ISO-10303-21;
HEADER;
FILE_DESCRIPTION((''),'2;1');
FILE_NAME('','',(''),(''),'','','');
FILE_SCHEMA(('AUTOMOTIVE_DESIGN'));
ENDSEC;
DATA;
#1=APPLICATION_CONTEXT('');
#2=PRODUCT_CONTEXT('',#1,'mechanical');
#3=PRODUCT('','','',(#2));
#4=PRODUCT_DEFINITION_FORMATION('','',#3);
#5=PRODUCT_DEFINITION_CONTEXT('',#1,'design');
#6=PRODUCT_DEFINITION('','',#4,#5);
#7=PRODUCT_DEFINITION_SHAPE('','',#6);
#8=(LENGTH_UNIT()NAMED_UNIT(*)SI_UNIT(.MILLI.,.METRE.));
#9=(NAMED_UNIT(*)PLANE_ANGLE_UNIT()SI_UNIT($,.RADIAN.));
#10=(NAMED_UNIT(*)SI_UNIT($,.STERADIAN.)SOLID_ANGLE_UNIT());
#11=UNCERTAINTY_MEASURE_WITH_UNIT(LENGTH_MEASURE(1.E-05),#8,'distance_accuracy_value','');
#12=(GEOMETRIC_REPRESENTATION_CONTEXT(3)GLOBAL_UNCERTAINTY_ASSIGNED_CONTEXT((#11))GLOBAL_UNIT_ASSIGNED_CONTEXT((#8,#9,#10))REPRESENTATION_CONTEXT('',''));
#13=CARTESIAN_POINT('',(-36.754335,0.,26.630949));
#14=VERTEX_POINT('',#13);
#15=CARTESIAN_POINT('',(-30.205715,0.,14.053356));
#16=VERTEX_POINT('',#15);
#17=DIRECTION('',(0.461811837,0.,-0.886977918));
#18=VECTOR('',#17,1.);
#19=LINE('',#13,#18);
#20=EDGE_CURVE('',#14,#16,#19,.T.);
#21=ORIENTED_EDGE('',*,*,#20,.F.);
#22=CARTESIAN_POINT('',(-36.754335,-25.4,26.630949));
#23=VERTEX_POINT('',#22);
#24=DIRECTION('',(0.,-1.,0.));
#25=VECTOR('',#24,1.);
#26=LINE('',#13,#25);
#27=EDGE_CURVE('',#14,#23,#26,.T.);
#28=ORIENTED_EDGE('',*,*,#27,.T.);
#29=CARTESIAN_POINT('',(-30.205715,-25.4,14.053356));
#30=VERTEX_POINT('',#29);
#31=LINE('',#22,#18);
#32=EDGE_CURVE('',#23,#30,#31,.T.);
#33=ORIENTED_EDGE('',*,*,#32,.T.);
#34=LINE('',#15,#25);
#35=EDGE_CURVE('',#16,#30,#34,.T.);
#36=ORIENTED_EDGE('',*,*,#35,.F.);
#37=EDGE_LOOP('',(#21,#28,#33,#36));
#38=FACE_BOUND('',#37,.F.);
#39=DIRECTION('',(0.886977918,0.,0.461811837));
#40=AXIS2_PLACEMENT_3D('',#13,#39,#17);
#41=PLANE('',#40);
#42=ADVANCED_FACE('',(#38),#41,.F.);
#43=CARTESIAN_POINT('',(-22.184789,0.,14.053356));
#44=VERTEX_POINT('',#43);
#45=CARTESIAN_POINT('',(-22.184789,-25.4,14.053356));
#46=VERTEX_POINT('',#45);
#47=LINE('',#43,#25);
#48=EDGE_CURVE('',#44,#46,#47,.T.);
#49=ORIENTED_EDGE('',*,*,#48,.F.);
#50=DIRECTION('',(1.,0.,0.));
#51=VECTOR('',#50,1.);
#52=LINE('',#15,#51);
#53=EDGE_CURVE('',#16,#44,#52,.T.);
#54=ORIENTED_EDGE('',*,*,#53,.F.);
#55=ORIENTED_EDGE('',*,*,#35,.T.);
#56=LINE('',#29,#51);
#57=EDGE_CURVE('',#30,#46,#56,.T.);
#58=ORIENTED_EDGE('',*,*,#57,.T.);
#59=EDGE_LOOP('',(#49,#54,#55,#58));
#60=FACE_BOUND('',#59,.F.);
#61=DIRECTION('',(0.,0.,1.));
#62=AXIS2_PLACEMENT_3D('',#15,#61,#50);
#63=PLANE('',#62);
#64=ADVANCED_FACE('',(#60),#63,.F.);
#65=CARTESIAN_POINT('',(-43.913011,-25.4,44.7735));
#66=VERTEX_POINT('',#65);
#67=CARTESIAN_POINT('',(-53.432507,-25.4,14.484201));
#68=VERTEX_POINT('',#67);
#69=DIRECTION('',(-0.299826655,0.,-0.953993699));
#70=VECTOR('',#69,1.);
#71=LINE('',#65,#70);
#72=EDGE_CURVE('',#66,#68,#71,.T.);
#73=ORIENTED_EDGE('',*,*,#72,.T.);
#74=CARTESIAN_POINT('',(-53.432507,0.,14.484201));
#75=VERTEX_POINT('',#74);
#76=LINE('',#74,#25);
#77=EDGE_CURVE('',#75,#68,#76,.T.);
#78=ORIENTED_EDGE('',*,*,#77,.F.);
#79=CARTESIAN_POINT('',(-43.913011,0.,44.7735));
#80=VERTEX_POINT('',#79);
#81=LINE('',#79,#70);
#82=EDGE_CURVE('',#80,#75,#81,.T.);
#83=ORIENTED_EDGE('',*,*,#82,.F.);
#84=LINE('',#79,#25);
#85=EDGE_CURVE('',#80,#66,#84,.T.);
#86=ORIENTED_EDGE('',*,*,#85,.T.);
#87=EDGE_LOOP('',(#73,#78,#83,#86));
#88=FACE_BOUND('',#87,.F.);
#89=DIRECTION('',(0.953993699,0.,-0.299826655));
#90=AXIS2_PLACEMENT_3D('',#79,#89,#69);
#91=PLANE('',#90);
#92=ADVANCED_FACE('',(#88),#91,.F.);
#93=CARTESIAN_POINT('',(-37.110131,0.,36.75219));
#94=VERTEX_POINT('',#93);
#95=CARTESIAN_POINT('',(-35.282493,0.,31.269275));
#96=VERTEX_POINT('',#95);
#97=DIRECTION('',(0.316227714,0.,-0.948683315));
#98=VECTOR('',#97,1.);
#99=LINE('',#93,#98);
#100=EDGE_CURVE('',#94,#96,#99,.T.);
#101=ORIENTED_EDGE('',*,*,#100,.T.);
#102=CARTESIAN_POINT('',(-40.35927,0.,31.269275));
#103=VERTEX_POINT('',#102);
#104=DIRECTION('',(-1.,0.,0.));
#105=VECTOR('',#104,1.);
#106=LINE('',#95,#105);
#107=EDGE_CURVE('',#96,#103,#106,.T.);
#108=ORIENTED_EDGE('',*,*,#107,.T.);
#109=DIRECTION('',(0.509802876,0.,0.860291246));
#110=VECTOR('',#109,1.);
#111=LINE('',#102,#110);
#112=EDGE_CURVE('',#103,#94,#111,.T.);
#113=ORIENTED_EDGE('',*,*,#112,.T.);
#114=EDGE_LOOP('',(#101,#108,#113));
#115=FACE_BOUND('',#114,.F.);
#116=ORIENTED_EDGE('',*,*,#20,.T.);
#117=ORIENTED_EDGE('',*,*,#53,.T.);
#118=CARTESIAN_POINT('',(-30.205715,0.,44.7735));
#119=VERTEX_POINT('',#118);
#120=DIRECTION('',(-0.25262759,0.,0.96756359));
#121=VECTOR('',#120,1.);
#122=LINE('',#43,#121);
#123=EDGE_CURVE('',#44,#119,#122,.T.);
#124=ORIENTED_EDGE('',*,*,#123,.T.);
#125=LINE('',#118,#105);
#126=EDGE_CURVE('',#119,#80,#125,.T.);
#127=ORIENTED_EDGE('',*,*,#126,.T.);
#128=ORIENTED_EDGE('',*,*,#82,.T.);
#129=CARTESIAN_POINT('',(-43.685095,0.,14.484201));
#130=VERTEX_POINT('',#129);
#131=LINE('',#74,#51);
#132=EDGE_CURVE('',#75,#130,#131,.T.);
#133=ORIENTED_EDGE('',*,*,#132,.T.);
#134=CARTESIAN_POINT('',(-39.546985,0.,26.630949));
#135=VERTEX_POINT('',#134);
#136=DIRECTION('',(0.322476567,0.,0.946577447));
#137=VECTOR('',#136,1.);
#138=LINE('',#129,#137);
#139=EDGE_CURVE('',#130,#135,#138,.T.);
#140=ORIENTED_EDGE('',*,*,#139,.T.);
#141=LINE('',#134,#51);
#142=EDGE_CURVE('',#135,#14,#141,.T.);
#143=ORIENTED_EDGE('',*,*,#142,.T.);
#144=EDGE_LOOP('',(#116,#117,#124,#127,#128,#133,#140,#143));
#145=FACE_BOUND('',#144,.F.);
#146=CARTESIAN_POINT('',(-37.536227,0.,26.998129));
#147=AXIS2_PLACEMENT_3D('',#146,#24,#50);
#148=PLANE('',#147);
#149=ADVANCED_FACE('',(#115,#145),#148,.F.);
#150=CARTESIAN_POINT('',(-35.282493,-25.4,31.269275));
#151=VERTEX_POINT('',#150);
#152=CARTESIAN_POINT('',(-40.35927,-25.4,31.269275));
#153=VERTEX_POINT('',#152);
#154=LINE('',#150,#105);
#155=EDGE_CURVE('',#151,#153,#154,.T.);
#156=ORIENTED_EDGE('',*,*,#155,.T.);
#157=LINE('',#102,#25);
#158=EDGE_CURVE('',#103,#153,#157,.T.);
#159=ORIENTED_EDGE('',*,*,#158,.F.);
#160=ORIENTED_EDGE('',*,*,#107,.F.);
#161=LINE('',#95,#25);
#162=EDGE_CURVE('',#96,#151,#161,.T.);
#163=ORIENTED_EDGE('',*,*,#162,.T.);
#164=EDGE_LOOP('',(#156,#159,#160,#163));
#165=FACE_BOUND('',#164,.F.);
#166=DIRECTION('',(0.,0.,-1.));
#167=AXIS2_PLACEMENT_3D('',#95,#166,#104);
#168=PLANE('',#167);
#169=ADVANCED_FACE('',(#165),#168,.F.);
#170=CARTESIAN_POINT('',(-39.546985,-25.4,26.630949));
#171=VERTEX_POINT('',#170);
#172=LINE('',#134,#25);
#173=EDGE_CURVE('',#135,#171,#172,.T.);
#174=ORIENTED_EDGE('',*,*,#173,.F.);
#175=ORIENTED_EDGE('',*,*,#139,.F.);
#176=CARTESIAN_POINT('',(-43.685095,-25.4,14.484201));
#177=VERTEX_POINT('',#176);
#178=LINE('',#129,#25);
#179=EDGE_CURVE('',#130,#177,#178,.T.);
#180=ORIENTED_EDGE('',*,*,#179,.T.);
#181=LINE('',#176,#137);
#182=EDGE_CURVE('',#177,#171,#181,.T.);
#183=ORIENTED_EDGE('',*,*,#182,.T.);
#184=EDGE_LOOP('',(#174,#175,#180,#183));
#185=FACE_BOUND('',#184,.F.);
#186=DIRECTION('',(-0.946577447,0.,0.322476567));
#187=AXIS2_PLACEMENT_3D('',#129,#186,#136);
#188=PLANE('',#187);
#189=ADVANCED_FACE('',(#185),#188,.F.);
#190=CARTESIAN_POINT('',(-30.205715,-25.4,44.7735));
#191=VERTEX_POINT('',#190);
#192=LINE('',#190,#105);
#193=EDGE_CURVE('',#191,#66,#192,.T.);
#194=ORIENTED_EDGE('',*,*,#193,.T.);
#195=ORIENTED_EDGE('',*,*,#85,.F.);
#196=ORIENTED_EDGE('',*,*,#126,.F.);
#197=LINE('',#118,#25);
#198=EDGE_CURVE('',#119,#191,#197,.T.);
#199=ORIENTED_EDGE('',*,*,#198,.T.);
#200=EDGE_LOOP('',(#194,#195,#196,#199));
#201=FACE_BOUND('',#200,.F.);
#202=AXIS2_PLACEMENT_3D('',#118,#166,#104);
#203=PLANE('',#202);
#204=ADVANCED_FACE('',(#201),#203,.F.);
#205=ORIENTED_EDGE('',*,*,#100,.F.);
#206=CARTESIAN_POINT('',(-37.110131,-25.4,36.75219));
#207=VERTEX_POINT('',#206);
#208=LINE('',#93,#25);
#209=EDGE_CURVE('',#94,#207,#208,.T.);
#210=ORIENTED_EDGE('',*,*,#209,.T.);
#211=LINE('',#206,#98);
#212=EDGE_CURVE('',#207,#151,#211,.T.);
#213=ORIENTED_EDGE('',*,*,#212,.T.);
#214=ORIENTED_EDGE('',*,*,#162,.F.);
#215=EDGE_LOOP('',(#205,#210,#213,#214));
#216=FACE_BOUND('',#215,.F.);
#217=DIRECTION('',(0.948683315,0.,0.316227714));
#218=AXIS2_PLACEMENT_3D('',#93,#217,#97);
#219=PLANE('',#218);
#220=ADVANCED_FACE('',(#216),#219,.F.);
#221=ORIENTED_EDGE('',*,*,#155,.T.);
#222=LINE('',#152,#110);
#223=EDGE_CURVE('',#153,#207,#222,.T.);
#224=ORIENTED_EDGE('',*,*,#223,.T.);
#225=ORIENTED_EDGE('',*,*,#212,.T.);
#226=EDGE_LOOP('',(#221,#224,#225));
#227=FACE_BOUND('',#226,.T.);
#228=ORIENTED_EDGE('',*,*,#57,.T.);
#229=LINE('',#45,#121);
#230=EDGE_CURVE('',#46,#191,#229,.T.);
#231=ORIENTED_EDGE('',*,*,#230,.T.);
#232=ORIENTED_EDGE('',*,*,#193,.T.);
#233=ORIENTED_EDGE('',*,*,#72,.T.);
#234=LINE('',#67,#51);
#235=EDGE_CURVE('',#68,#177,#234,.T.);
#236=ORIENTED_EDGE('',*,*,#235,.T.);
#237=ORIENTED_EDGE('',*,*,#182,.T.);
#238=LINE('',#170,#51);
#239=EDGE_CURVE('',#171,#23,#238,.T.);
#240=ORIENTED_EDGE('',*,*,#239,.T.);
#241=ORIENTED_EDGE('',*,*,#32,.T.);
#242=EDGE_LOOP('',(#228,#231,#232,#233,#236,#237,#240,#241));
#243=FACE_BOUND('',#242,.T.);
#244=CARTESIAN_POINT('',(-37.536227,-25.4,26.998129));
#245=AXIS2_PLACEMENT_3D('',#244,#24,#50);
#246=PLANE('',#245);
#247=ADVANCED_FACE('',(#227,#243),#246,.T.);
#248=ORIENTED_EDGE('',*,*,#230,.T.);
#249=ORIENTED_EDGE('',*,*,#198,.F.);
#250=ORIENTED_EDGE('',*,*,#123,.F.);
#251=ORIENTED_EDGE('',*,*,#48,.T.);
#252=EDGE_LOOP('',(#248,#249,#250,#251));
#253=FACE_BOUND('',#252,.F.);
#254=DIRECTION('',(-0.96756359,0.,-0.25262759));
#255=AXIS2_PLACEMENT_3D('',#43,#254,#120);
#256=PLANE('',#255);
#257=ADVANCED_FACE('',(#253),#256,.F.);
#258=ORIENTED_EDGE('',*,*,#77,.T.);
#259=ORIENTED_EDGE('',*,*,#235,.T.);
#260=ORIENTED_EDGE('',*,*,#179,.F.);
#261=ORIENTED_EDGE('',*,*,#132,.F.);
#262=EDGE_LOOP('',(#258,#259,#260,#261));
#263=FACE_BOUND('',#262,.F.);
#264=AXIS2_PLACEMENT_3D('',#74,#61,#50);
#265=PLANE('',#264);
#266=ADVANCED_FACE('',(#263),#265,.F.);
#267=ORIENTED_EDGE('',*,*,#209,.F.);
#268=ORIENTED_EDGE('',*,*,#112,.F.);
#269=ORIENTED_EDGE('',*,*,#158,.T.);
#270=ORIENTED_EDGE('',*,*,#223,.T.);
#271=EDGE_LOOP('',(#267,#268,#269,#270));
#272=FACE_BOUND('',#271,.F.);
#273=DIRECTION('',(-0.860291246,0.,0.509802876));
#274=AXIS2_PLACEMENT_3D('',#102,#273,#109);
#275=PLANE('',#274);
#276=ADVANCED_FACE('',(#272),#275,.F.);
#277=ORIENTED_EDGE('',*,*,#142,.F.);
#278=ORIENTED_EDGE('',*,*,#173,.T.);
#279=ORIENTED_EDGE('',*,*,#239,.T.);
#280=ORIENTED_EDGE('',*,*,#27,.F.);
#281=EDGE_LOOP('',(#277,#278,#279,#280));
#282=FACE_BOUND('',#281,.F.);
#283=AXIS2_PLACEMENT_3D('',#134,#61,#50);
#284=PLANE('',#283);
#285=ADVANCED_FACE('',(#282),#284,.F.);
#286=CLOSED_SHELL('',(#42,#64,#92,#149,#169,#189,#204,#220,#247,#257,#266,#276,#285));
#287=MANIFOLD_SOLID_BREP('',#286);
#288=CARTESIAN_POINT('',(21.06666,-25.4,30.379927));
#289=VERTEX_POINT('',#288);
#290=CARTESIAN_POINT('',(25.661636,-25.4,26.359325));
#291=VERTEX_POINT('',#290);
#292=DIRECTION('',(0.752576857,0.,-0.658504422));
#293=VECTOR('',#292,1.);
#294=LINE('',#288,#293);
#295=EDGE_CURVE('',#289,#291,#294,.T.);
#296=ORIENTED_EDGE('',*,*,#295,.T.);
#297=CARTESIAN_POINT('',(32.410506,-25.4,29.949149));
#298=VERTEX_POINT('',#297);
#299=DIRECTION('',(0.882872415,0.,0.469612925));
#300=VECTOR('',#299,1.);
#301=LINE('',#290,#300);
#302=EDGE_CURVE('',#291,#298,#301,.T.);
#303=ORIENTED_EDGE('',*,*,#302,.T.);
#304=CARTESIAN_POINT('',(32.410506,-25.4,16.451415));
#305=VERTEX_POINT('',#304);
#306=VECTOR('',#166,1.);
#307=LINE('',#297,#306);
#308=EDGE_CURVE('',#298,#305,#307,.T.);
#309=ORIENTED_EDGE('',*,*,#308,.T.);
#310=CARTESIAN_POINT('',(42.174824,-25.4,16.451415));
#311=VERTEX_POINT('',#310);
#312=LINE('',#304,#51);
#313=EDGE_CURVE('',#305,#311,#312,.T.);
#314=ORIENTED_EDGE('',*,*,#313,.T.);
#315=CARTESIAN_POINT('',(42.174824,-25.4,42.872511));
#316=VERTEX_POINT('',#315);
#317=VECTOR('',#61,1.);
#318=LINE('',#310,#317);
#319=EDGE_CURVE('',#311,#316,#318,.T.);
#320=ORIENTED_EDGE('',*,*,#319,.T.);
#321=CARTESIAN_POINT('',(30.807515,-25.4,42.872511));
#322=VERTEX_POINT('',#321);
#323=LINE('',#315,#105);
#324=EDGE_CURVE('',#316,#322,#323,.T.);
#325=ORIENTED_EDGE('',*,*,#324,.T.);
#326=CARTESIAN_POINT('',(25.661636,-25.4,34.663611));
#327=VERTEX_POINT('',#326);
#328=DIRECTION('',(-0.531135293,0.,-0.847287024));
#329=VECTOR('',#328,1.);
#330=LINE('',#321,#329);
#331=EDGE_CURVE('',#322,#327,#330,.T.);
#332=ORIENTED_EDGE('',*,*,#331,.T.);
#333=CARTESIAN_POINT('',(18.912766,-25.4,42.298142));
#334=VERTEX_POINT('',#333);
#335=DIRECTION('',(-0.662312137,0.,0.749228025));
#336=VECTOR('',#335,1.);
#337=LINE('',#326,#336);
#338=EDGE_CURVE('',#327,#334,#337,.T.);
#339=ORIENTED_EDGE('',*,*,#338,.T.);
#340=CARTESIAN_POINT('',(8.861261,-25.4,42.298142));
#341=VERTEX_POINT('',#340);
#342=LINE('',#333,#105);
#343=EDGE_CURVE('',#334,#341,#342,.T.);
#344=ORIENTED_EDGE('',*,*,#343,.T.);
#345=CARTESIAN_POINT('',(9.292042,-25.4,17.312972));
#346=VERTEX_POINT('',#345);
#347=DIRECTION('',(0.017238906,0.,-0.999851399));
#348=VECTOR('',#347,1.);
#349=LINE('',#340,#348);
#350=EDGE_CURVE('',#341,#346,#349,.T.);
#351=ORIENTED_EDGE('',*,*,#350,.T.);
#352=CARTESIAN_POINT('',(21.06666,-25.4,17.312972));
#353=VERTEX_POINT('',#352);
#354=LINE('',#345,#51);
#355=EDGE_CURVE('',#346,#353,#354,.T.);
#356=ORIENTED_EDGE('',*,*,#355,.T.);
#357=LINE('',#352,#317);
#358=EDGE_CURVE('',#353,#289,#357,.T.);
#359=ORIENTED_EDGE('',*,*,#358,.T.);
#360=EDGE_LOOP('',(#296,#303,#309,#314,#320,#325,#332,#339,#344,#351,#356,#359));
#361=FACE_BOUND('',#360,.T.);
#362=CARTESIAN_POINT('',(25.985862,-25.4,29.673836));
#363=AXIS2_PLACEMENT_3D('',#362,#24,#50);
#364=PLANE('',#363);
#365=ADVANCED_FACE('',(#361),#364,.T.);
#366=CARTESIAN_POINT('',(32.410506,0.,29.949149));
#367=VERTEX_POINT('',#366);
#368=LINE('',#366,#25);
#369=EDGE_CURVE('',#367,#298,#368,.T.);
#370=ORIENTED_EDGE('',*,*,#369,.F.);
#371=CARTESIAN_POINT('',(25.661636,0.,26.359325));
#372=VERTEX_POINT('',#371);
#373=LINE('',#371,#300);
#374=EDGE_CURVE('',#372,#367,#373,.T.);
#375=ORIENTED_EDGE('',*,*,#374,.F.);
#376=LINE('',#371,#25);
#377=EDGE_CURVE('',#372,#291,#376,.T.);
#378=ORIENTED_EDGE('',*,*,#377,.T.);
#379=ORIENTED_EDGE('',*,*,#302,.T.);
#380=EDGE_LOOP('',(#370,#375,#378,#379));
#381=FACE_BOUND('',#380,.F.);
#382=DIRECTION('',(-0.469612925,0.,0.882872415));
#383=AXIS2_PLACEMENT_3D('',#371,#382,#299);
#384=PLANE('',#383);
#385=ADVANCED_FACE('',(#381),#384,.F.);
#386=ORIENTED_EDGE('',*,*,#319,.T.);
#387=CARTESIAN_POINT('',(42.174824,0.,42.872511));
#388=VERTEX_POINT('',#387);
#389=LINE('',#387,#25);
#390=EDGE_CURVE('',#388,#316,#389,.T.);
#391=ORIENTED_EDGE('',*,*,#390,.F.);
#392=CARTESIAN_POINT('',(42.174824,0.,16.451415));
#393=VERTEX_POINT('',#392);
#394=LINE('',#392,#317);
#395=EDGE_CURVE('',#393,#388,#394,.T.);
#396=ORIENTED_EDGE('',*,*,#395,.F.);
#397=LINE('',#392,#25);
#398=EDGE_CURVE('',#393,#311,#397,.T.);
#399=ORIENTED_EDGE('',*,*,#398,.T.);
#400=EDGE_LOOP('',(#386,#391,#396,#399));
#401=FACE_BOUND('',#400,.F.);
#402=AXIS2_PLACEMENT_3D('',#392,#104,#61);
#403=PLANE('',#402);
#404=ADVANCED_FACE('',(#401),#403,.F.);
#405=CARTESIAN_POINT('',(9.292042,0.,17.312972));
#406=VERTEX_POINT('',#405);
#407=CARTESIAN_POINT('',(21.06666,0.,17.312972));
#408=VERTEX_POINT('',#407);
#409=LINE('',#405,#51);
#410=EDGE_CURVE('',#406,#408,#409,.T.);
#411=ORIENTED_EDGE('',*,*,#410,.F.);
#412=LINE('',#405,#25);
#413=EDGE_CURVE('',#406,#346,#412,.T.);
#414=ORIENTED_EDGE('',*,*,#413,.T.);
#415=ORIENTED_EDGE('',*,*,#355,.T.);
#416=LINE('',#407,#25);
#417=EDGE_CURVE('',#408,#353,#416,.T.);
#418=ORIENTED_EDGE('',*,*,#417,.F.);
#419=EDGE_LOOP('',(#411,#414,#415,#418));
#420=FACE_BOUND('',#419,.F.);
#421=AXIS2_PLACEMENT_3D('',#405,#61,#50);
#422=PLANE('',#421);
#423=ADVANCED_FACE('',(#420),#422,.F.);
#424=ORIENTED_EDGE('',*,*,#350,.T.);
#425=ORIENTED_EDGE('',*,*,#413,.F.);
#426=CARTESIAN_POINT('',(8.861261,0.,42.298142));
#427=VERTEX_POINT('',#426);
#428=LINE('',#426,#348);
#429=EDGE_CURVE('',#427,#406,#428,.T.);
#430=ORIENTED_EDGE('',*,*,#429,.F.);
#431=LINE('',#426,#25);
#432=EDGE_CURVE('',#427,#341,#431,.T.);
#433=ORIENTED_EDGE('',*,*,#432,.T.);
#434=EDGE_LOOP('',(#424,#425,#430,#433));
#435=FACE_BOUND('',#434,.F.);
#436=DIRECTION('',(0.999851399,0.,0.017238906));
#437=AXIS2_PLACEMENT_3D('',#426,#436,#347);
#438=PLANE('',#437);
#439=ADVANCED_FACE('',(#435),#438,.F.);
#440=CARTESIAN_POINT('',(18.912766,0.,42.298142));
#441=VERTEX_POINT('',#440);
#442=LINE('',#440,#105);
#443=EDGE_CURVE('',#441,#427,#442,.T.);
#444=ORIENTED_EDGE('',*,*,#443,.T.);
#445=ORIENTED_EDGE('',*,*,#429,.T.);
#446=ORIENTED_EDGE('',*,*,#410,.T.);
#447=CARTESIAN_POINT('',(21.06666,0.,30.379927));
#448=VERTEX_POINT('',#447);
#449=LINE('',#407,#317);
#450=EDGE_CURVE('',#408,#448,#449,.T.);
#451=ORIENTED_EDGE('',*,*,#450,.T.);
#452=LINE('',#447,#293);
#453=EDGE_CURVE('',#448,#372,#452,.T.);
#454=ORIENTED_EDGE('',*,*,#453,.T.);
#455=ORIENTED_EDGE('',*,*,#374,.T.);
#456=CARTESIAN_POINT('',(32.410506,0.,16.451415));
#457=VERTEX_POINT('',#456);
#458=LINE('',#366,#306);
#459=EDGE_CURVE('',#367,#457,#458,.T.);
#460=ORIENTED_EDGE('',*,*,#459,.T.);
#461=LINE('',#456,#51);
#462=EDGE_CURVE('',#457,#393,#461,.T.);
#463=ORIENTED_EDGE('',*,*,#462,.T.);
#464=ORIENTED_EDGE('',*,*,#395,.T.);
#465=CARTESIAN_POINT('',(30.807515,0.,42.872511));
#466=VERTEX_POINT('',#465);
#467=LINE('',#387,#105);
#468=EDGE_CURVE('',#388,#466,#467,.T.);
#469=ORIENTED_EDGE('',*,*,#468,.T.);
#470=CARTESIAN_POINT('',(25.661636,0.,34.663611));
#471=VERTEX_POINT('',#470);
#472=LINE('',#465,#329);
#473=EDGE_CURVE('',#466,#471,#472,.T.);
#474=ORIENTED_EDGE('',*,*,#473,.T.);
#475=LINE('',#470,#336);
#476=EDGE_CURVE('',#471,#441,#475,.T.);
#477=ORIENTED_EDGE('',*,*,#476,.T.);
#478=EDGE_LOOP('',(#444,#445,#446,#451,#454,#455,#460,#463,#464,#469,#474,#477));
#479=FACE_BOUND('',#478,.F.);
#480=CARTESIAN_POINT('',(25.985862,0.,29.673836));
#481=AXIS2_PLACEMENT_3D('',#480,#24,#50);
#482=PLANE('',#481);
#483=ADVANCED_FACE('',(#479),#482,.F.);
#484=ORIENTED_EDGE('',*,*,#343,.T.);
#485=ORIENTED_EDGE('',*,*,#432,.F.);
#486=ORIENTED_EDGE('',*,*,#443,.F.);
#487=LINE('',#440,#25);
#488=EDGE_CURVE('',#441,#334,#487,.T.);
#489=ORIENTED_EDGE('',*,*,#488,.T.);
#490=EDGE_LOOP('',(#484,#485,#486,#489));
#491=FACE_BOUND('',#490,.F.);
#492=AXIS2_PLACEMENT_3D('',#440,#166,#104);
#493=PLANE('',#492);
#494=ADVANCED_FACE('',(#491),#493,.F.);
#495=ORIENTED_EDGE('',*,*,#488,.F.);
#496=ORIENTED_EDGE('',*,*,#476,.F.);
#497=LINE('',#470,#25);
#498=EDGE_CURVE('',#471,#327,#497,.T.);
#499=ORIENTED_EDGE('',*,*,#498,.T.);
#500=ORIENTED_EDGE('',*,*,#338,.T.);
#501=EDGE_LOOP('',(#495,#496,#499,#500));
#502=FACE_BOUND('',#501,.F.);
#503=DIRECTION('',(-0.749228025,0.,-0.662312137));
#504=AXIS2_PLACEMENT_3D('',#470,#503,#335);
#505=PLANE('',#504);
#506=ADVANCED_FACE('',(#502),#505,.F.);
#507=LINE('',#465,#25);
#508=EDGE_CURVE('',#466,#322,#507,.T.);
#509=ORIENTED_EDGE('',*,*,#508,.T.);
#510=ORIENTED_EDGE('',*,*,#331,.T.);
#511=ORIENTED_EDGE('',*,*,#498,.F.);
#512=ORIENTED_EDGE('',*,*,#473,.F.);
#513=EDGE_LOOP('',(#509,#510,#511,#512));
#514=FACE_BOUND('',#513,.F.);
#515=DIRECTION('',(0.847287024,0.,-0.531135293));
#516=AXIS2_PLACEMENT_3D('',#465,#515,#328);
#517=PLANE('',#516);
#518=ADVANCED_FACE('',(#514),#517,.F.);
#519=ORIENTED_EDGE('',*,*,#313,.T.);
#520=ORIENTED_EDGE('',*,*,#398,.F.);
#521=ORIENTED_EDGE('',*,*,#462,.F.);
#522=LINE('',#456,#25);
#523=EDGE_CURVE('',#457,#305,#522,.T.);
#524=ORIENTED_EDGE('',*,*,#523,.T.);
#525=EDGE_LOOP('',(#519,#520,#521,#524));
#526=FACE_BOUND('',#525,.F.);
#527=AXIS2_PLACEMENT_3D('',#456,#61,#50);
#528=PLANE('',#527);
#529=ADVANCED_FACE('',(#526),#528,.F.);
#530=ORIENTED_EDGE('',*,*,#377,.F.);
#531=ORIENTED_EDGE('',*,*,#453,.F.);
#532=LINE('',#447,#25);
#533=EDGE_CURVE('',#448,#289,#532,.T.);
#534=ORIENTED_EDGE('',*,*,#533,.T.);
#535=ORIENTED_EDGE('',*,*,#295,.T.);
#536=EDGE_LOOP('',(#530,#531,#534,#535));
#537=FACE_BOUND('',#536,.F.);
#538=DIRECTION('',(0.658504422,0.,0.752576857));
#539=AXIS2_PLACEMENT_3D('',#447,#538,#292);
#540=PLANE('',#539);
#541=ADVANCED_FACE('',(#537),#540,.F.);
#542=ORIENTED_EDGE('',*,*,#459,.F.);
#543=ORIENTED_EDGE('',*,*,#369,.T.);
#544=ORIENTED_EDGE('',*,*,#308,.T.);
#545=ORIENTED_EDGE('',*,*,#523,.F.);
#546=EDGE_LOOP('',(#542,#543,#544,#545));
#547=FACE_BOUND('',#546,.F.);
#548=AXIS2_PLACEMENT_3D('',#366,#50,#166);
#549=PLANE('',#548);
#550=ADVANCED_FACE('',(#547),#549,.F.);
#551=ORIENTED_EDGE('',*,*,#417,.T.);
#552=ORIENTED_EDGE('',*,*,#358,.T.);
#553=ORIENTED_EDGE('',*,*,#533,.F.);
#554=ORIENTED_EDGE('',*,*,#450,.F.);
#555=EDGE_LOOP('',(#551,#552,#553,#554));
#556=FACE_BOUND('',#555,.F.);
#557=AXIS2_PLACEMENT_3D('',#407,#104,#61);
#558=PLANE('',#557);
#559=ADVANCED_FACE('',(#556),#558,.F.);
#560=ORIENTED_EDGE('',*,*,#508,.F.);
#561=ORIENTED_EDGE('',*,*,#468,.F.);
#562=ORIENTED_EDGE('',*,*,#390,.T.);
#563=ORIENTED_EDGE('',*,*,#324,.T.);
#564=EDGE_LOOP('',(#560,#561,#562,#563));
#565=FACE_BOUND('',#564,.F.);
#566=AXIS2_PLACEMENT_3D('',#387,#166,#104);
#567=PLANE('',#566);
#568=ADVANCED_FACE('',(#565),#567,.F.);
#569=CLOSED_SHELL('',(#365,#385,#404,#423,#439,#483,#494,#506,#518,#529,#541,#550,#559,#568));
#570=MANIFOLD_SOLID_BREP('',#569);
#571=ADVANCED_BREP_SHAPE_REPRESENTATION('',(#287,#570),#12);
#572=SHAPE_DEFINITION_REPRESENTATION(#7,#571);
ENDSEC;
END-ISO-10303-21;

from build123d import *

# Parameters (mm, degrees)
F1_DEPTH = 25.4
F3_DEPTH = 25.4


with BuildPart() as f1:
    # F0 (on Front) → F1 (new body)
    with BuildSketch(Plane.XZ):
        Polygon((-30.205715, 44.7735), (-43.913011, 44.7735), (-53.432507, 14.484201), (-43.685095, 14.484201), (-39.546985, 26.630949), (-36.754335, 26.630949), (-30.205715, 14.053356), (-22.184789, 14.053356), align=None)
        Polygon((-37.110131, 36.75219), (-35.282493, 31.269275), (-40.35927, 31.269275), align=None, mode=Mode.SUBTRACT)
    extrude(amount=F1_DEPTH)


with BuildPart() as f3:
    # F2 (on Front) → F3 (new body)
    with BuildSketch(Plane.XZ):
        Polygon((18.912766, 42.298142), (8.861261, 42.298142), (9.292042, 17.312972), (21.06666, 17.312972), (21.06666, 30.379927), (25.661636, 26.359325), (32.410506, 29.949149), (32.410506, 16.451415), (42.174824, 16.451415), (42.174824, 42.872511), (30.807515, 42.872511), (25.661636, 34.663611), align=None)
    extrude(amount=F3_DEPTH)


solid = Compound([f1.part, f3.part])
